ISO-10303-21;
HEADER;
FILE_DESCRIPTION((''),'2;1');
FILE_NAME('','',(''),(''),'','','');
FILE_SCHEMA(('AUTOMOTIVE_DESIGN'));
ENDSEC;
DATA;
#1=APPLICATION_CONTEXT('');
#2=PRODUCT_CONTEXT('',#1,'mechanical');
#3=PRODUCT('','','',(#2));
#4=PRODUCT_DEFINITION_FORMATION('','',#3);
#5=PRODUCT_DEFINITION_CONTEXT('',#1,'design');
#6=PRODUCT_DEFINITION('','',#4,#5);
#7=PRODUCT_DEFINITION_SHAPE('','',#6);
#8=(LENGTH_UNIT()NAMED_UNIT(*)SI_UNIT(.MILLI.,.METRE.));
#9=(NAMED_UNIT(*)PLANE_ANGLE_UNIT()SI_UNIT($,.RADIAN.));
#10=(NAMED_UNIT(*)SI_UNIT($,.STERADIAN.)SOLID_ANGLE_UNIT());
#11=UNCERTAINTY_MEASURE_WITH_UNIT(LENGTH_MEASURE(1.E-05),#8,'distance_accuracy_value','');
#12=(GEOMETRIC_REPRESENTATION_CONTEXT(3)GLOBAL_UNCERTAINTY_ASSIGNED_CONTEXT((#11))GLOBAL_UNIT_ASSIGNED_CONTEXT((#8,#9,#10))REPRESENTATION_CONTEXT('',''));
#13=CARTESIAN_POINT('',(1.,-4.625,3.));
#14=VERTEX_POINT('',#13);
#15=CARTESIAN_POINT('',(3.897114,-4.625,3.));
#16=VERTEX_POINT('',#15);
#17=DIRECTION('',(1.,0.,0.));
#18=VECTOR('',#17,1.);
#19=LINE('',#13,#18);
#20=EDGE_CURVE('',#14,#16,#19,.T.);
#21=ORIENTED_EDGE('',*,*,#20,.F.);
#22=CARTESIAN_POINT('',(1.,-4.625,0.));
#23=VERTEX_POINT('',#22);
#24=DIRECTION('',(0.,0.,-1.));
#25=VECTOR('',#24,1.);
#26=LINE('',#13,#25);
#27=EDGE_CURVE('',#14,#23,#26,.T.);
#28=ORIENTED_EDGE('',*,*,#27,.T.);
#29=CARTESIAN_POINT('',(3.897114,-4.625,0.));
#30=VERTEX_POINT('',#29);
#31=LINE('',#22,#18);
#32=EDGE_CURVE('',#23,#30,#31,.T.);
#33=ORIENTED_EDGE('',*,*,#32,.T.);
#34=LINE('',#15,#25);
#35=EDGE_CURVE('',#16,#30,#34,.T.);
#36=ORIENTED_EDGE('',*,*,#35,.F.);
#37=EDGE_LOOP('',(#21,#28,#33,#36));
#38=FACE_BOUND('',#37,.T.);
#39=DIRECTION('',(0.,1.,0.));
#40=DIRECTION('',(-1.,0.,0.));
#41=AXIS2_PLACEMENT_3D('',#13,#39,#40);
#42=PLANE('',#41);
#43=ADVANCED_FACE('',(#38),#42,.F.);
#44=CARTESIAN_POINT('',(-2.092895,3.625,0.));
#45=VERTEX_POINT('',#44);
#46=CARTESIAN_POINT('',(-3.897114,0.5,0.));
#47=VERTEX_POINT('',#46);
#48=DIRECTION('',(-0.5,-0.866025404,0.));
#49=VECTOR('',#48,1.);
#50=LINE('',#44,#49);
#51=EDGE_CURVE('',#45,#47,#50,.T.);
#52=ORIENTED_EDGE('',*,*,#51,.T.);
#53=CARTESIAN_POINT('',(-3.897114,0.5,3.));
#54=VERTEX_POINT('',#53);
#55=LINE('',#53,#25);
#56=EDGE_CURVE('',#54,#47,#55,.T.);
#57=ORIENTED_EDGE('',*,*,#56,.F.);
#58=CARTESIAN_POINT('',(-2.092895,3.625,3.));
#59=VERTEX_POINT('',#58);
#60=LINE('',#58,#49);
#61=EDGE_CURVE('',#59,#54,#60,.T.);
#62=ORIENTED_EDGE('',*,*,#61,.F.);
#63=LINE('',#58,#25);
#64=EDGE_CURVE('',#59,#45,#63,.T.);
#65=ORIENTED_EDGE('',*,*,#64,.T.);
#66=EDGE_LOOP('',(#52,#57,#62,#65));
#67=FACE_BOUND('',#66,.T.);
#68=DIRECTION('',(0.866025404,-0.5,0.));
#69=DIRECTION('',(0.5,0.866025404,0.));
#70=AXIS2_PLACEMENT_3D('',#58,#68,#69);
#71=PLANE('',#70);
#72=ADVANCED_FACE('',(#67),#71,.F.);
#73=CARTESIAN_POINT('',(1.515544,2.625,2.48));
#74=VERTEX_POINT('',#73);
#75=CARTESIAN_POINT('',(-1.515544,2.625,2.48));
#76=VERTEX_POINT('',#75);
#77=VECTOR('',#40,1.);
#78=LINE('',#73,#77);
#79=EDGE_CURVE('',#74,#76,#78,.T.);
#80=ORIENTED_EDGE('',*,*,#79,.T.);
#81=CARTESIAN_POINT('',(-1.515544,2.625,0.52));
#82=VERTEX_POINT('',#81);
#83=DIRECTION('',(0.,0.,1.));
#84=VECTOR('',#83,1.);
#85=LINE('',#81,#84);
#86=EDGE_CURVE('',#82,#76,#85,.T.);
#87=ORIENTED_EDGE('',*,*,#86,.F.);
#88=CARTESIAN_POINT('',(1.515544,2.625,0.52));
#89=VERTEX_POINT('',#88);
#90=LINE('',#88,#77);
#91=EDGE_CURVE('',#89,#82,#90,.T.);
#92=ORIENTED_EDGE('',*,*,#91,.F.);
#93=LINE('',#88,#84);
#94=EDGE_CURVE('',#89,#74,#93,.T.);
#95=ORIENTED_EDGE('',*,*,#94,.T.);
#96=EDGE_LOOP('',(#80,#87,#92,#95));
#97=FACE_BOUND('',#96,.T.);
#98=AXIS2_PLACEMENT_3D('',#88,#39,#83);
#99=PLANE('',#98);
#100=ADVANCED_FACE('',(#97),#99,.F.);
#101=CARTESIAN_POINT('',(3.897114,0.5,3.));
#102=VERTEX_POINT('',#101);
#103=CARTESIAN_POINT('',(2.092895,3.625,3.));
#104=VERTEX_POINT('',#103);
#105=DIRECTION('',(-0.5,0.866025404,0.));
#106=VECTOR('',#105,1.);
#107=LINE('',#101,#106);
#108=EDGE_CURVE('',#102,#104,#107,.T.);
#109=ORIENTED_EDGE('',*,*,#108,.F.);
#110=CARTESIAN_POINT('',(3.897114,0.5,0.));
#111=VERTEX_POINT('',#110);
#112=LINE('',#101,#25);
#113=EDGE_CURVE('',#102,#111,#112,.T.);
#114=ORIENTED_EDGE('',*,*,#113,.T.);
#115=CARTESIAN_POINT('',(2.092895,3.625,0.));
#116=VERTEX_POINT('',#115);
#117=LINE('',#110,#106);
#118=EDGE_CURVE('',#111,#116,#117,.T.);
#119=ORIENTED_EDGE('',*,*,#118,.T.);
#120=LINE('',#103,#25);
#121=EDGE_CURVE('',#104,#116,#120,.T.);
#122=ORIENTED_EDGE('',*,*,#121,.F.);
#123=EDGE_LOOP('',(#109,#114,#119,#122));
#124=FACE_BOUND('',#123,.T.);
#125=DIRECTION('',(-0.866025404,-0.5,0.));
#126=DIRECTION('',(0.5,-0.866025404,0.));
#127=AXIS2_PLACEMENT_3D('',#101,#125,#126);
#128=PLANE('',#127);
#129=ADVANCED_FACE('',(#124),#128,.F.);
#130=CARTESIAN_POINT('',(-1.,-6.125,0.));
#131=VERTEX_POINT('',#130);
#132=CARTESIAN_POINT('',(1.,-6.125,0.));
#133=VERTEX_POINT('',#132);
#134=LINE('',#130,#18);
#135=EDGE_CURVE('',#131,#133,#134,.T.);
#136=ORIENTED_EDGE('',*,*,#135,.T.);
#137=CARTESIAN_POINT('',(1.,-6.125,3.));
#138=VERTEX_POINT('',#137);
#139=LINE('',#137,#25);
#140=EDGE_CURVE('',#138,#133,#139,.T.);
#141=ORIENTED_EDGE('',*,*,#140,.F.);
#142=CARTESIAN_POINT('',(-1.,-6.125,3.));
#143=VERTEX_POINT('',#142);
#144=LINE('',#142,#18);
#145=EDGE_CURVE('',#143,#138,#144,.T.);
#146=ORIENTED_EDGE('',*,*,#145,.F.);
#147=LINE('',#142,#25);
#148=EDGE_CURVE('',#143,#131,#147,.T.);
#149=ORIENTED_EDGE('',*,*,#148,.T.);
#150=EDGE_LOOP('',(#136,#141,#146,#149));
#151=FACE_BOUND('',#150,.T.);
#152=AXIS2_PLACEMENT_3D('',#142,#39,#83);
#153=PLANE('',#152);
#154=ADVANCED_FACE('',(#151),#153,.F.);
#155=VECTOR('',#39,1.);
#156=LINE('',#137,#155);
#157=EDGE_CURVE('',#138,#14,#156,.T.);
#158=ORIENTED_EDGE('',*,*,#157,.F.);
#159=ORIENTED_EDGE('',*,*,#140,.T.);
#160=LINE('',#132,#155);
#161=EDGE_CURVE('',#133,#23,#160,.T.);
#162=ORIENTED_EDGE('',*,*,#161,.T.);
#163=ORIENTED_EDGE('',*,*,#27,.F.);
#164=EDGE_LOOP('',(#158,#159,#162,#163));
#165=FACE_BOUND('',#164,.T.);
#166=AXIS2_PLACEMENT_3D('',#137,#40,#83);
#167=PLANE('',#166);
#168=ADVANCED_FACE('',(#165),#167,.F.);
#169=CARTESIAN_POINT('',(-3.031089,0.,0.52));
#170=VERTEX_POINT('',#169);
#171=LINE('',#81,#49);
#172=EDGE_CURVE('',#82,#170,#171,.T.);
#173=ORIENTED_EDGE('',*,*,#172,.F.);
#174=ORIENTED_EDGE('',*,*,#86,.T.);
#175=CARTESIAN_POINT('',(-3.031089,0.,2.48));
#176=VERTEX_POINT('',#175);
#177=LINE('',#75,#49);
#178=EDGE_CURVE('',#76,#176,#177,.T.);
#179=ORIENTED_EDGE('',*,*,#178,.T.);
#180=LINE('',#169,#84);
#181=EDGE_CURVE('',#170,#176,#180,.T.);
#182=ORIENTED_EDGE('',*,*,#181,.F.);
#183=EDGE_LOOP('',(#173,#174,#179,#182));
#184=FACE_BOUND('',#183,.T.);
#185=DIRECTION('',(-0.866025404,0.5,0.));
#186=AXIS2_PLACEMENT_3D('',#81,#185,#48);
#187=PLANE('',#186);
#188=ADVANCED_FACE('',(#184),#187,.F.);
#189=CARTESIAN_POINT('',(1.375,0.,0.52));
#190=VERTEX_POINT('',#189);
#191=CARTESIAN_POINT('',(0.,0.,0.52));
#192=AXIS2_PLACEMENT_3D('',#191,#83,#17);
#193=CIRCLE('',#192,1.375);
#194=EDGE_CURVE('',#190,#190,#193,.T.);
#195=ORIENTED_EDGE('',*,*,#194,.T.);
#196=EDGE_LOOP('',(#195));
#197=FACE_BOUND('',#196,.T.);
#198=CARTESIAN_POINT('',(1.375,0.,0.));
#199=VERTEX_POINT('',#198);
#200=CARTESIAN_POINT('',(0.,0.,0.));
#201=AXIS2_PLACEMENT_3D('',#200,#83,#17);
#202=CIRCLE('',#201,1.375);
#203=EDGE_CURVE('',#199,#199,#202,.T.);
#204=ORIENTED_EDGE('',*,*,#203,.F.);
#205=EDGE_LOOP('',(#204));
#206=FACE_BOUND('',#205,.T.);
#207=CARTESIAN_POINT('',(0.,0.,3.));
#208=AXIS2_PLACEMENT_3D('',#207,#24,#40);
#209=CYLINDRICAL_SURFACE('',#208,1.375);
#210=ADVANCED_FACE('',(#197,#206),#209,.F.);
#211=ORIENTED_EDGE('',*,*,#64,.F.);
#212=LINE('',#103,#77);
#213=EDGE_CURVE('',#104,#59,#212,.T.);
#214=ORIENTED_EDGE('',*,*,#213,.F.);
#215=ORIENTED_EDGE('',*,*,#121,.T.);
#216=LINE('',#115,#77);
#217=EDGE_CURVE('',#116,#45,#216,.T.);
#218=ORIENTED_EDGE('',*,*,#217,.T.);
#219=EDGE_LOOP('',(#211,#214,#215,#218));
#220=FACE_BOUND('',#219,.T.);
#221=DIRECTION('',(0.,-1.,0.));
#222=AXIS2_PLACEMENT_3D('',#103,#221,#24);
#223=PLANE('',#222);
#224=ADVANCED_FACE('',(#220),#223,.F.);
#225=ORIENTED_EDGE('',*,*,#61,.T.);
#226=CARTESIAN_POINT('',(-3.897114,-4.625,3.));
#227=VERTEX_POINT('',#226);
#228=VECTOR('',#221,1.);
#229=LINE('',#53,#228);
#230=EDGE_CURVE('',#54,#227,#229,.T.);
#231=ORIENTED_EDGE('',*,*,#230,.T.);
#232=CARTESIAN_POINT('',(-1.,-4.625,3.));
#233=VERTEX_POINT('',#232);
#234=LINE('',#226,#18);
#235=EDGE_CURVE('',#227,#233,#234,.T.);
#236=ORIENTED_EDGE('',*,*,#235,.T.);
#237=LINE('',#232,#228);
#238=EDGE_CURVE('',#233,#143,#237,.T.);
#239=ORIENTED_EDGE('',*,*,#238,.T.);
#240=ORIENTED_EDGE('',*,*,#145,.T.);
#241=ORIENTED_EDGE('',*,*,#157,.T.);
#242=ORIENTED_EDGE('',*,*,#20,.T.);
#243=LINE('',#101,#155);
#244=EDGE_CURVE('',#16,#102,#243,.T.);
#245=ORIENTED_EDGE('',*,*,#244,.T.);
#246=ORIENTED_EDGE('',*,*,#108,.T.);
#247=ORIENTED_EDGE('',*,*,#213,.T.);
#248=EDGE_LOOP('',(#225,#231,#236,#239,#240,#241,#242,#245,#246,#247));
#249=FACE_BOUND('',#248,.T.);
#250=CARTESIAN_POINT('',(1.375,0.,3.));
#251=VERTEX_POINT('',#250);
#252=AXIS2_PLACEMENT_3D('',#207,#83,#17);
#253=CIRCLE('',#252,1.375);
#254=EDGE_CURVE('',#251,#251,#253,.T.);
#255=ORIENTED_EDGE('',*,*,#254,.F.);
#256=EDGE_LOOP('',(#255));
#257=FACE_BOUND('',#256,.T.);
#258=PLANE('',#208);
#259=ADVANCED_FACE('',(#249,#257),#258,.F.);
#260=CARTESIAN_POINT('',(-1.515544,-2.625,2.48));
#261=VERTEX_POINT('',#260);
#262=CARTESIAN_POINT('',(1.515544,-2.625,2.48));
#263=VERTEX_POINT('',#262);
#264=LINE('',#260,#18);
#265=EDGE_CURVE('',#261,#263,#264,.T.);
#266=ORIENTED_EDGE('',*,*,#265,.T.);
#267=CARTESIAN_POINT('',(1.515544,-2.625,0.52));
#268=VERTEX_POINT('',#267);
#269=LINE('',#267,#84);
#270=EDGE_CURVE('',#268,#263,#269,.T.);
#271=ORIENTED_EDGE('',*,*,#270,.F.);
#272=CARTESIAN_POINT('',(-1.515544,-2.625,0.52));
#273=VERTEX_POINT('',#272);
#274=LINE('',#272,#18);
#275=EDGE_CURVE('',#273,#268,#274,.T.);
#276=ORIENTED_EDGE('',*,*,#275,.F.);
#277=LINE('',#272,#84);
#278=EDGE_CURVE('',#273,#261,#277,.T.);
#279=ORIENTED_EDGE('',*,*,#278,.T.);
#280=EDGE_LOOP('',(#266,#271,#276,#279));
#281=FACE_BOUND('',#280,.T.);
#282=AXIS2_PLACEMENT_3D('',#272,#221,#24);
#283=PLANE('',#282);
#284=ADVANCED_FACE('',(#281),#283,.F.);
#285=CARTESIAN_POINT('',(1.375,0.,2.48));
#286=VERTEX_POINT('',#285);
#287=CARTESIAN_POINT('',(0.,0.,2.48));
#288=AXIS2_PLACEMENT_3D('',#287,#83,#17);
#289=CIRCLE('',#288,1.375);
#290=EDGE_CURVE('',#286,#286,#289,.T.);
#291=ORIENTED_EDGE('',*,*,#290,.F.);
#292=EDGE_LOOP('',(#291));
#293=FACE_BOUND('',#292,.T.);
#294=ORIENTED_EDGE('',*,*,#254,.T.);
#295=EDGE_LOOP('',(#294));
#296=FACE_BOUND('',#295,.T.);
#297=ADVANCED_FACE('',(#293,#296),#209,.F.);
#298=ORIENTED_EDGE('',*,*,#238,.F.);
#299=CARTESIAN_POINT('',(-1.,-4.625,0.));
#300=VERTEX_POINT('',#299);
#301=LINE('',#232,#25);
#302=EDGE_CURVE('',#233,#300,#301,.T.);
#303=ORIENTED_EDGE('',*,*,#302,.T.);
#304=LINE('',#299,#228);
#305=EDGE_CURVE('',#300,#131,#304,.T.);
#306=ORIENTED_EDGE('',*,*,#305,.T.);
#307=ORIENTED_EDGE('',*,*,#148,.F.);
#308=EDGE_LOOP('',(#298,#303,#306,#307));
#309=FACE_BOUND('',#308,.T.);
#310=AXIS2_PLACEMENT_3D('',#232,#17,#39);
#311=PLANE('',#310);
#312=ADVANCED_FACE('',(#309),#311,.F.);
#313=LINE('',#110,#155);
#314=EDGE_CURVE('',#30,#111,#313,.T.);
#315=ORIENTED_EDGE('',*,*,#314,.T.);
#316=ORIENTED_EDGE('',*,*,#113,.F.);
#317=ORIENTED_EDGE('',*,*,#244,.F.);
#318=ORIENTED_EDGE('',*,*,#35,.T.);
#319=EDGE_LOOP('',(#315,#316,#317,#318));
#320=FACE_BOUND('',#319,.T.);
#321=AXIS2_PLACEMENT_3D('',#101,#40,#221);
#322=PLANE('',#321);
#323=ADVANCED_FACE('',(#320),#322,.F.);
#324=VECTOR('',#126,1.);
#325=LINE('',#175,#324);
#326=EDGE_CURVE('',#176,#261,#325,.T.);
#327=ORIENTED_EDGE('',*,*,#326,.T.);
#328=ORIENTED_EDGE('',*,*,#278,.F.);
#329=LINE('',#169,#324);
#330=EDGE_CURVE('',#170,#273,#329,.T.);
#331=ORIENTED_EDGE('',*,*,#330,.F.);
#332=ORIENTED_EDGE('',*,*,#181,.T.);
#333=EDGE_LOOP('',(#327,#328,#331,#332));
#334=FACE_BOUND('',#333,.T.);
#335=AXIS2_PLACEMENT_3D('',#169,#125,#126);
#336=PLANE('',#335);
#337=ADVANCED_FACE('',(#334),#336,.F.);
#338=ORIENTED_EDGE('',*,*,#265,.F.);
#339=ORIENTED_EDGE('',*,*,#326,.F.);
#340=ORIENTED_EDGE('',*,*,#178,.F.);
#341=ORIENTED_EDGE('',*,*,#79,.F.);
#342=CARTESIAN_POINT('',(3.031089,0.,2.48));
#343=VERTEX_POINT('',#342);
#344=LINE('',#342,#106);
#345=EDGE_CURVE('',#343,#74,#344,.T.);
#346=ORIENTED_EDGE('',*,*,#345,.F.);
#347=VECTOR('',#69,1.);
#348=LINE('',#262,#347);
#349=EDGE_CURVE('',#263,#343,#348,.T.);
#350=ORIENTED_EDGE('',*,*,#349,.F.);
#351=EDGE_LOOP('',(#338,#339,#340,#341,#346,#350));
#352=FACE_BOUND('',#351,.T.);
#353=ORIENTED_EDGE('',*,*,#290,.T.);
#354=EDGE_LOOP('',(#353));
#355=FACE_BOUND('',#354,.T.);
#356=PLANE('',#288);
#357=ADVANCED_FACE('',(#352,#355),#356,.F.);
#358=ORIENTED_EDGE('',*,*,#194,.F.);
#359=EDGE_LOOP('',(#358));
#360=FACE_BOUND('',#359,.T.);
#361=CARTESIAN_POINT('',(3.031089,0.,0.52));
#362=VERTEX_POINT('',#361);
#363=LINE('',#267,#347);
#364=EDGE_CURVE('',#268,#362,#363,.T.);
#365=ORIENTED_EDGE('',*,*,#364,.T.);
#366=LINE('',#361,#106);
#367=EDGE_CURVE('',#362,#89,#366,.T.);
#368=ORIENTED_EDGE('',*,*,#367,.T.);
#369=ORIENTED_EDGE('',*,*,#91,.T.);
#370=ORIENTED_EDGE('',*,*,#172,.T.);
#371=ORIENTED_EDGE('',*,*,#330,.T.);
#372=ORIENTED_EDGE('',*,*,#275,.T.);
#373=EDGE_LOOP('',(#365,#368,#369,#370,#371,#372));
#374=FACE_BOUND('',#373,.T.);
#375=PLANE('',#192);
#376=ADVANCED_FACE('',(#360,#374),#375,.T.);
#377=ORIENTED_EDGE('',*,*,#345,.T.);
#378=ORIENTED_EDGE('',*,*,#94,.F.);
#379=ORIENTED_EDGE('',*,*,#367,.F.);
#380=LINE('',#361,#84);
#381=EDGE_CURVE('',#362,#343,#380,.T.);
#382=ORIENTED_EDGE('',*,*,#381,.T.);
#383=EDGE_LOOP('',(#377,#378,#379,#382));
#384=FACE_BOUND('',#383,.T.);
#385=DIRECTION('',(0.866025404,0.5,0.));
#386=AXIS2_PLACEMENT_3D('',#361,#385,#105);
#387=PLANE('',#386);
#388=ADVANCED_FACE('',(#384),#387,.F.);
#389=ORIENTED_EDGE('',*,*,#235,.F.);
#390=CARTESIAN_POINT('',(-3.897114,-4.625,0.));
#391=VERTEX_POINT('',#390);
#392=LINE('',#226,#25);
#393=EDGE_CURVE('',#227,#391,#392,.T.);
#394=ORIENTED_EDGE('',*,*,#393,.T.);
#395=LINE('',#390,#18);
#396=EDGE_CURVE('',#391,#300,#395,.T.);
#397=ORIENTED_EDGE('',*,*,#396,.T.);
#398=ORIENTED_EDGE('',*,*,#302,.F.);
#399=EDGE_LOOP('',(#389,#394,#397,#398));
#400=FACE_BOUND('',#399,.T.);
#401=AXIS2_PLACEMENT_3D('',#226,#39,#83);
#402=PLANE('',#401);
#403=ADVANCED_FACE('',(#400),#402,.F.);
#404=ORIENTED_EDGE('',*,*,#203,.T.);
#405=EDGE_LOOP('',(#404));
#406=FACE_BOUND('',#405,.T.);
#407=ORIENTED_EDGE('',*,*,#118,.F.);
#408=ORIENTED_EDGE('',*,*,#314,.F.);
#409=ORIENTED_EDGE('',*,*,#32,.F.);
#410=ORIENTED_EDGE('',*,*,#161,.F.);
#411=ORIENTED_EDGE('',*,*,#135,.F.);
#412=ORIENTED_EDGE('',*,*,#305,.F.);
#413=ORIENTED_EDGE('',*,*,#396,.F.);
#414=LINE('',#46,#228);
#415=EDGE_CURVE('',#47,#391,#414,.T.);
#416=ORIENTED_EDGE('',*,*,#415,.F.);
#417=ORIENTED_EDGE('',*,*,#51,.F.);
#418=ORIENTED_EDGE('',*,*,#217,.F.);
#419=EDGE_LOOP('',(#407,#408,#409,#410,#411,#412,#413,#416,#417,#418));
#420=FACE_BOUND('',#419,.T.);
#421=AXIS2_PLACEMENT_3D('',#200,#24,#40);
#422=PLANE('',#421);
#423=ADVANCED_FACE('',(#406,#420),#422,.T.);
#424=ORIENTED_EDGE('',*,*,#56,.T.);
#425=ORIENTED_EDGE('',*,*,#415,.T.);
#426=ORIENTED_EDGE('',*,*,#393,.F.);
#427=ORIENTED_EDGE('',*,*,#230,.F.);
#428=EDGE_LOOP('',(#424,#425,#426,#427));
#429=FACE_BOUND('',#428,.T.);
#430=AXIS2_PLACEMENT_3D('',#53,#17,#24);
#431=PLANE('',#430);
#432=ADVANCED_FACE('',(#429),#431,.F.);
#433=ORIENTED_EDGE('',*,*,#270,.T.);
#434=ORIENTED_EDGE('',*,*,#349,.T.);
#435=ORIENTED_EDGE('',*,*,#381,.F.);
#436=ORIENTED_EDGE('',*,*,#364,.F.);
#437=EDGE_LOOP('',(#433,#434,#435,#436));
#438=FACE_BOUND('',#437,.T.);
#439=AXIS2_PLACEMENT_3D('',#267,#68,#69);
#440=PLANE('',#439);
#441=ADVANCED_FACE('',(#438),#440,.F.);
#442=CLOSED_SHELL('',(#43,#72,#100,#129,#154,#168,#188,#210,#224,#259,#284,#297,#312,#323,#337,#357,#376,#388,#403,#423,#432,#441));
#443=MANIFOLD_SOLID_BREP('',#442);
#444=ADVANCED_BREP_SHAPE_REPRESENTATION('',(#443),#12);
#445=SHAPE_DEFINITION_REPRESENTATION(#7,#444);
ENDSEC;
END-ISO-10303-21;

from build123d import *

# Parameters (mm, degrees)
SKETCH1_R           = 1.375
BOSS_EXTRUDE1_DEPTH = 3
CUT_EXTRUDE1_DEPTH  = 0.98


with BuildPart() as part:
    # Sketch1 → Boss-Extrude1 (new body)
    with BuildSketch(Plane.XY):
        Polygon((-1, -4.625), (-1, -6.125), (1, -6.125), (1, -4.625), (3.897114317, -4.625), (3.897114317, 0.5), (2.092894726, 3.625), (-2.092894726, 3.625), (-3.897114317, 0.5), (-3.897114317, -4.625), align=None)
        Circle(SKETCH1_R, mode=Mode.SUBTRACT)
    extrude(amount=BOSS_EXTRUDE1_DEPTH)

    # Sketch2 → Cut-Extrude1 (cut, symmetric)
    with BuildSketch(Plane.XY.offset(1.5)):
        Polygon((-1.515544457, -2.625), (1.515544457, -2.625), (3.031088913, 0), (1.515544457, 2.625), (-1.515544457, 2.625), (-3.031088913, 0), align=None)
    extrude(amount=CUT_EXTRUDE1_DEPTH, both=True, mode=Mode.SUBTRACT)


solid = part.part
